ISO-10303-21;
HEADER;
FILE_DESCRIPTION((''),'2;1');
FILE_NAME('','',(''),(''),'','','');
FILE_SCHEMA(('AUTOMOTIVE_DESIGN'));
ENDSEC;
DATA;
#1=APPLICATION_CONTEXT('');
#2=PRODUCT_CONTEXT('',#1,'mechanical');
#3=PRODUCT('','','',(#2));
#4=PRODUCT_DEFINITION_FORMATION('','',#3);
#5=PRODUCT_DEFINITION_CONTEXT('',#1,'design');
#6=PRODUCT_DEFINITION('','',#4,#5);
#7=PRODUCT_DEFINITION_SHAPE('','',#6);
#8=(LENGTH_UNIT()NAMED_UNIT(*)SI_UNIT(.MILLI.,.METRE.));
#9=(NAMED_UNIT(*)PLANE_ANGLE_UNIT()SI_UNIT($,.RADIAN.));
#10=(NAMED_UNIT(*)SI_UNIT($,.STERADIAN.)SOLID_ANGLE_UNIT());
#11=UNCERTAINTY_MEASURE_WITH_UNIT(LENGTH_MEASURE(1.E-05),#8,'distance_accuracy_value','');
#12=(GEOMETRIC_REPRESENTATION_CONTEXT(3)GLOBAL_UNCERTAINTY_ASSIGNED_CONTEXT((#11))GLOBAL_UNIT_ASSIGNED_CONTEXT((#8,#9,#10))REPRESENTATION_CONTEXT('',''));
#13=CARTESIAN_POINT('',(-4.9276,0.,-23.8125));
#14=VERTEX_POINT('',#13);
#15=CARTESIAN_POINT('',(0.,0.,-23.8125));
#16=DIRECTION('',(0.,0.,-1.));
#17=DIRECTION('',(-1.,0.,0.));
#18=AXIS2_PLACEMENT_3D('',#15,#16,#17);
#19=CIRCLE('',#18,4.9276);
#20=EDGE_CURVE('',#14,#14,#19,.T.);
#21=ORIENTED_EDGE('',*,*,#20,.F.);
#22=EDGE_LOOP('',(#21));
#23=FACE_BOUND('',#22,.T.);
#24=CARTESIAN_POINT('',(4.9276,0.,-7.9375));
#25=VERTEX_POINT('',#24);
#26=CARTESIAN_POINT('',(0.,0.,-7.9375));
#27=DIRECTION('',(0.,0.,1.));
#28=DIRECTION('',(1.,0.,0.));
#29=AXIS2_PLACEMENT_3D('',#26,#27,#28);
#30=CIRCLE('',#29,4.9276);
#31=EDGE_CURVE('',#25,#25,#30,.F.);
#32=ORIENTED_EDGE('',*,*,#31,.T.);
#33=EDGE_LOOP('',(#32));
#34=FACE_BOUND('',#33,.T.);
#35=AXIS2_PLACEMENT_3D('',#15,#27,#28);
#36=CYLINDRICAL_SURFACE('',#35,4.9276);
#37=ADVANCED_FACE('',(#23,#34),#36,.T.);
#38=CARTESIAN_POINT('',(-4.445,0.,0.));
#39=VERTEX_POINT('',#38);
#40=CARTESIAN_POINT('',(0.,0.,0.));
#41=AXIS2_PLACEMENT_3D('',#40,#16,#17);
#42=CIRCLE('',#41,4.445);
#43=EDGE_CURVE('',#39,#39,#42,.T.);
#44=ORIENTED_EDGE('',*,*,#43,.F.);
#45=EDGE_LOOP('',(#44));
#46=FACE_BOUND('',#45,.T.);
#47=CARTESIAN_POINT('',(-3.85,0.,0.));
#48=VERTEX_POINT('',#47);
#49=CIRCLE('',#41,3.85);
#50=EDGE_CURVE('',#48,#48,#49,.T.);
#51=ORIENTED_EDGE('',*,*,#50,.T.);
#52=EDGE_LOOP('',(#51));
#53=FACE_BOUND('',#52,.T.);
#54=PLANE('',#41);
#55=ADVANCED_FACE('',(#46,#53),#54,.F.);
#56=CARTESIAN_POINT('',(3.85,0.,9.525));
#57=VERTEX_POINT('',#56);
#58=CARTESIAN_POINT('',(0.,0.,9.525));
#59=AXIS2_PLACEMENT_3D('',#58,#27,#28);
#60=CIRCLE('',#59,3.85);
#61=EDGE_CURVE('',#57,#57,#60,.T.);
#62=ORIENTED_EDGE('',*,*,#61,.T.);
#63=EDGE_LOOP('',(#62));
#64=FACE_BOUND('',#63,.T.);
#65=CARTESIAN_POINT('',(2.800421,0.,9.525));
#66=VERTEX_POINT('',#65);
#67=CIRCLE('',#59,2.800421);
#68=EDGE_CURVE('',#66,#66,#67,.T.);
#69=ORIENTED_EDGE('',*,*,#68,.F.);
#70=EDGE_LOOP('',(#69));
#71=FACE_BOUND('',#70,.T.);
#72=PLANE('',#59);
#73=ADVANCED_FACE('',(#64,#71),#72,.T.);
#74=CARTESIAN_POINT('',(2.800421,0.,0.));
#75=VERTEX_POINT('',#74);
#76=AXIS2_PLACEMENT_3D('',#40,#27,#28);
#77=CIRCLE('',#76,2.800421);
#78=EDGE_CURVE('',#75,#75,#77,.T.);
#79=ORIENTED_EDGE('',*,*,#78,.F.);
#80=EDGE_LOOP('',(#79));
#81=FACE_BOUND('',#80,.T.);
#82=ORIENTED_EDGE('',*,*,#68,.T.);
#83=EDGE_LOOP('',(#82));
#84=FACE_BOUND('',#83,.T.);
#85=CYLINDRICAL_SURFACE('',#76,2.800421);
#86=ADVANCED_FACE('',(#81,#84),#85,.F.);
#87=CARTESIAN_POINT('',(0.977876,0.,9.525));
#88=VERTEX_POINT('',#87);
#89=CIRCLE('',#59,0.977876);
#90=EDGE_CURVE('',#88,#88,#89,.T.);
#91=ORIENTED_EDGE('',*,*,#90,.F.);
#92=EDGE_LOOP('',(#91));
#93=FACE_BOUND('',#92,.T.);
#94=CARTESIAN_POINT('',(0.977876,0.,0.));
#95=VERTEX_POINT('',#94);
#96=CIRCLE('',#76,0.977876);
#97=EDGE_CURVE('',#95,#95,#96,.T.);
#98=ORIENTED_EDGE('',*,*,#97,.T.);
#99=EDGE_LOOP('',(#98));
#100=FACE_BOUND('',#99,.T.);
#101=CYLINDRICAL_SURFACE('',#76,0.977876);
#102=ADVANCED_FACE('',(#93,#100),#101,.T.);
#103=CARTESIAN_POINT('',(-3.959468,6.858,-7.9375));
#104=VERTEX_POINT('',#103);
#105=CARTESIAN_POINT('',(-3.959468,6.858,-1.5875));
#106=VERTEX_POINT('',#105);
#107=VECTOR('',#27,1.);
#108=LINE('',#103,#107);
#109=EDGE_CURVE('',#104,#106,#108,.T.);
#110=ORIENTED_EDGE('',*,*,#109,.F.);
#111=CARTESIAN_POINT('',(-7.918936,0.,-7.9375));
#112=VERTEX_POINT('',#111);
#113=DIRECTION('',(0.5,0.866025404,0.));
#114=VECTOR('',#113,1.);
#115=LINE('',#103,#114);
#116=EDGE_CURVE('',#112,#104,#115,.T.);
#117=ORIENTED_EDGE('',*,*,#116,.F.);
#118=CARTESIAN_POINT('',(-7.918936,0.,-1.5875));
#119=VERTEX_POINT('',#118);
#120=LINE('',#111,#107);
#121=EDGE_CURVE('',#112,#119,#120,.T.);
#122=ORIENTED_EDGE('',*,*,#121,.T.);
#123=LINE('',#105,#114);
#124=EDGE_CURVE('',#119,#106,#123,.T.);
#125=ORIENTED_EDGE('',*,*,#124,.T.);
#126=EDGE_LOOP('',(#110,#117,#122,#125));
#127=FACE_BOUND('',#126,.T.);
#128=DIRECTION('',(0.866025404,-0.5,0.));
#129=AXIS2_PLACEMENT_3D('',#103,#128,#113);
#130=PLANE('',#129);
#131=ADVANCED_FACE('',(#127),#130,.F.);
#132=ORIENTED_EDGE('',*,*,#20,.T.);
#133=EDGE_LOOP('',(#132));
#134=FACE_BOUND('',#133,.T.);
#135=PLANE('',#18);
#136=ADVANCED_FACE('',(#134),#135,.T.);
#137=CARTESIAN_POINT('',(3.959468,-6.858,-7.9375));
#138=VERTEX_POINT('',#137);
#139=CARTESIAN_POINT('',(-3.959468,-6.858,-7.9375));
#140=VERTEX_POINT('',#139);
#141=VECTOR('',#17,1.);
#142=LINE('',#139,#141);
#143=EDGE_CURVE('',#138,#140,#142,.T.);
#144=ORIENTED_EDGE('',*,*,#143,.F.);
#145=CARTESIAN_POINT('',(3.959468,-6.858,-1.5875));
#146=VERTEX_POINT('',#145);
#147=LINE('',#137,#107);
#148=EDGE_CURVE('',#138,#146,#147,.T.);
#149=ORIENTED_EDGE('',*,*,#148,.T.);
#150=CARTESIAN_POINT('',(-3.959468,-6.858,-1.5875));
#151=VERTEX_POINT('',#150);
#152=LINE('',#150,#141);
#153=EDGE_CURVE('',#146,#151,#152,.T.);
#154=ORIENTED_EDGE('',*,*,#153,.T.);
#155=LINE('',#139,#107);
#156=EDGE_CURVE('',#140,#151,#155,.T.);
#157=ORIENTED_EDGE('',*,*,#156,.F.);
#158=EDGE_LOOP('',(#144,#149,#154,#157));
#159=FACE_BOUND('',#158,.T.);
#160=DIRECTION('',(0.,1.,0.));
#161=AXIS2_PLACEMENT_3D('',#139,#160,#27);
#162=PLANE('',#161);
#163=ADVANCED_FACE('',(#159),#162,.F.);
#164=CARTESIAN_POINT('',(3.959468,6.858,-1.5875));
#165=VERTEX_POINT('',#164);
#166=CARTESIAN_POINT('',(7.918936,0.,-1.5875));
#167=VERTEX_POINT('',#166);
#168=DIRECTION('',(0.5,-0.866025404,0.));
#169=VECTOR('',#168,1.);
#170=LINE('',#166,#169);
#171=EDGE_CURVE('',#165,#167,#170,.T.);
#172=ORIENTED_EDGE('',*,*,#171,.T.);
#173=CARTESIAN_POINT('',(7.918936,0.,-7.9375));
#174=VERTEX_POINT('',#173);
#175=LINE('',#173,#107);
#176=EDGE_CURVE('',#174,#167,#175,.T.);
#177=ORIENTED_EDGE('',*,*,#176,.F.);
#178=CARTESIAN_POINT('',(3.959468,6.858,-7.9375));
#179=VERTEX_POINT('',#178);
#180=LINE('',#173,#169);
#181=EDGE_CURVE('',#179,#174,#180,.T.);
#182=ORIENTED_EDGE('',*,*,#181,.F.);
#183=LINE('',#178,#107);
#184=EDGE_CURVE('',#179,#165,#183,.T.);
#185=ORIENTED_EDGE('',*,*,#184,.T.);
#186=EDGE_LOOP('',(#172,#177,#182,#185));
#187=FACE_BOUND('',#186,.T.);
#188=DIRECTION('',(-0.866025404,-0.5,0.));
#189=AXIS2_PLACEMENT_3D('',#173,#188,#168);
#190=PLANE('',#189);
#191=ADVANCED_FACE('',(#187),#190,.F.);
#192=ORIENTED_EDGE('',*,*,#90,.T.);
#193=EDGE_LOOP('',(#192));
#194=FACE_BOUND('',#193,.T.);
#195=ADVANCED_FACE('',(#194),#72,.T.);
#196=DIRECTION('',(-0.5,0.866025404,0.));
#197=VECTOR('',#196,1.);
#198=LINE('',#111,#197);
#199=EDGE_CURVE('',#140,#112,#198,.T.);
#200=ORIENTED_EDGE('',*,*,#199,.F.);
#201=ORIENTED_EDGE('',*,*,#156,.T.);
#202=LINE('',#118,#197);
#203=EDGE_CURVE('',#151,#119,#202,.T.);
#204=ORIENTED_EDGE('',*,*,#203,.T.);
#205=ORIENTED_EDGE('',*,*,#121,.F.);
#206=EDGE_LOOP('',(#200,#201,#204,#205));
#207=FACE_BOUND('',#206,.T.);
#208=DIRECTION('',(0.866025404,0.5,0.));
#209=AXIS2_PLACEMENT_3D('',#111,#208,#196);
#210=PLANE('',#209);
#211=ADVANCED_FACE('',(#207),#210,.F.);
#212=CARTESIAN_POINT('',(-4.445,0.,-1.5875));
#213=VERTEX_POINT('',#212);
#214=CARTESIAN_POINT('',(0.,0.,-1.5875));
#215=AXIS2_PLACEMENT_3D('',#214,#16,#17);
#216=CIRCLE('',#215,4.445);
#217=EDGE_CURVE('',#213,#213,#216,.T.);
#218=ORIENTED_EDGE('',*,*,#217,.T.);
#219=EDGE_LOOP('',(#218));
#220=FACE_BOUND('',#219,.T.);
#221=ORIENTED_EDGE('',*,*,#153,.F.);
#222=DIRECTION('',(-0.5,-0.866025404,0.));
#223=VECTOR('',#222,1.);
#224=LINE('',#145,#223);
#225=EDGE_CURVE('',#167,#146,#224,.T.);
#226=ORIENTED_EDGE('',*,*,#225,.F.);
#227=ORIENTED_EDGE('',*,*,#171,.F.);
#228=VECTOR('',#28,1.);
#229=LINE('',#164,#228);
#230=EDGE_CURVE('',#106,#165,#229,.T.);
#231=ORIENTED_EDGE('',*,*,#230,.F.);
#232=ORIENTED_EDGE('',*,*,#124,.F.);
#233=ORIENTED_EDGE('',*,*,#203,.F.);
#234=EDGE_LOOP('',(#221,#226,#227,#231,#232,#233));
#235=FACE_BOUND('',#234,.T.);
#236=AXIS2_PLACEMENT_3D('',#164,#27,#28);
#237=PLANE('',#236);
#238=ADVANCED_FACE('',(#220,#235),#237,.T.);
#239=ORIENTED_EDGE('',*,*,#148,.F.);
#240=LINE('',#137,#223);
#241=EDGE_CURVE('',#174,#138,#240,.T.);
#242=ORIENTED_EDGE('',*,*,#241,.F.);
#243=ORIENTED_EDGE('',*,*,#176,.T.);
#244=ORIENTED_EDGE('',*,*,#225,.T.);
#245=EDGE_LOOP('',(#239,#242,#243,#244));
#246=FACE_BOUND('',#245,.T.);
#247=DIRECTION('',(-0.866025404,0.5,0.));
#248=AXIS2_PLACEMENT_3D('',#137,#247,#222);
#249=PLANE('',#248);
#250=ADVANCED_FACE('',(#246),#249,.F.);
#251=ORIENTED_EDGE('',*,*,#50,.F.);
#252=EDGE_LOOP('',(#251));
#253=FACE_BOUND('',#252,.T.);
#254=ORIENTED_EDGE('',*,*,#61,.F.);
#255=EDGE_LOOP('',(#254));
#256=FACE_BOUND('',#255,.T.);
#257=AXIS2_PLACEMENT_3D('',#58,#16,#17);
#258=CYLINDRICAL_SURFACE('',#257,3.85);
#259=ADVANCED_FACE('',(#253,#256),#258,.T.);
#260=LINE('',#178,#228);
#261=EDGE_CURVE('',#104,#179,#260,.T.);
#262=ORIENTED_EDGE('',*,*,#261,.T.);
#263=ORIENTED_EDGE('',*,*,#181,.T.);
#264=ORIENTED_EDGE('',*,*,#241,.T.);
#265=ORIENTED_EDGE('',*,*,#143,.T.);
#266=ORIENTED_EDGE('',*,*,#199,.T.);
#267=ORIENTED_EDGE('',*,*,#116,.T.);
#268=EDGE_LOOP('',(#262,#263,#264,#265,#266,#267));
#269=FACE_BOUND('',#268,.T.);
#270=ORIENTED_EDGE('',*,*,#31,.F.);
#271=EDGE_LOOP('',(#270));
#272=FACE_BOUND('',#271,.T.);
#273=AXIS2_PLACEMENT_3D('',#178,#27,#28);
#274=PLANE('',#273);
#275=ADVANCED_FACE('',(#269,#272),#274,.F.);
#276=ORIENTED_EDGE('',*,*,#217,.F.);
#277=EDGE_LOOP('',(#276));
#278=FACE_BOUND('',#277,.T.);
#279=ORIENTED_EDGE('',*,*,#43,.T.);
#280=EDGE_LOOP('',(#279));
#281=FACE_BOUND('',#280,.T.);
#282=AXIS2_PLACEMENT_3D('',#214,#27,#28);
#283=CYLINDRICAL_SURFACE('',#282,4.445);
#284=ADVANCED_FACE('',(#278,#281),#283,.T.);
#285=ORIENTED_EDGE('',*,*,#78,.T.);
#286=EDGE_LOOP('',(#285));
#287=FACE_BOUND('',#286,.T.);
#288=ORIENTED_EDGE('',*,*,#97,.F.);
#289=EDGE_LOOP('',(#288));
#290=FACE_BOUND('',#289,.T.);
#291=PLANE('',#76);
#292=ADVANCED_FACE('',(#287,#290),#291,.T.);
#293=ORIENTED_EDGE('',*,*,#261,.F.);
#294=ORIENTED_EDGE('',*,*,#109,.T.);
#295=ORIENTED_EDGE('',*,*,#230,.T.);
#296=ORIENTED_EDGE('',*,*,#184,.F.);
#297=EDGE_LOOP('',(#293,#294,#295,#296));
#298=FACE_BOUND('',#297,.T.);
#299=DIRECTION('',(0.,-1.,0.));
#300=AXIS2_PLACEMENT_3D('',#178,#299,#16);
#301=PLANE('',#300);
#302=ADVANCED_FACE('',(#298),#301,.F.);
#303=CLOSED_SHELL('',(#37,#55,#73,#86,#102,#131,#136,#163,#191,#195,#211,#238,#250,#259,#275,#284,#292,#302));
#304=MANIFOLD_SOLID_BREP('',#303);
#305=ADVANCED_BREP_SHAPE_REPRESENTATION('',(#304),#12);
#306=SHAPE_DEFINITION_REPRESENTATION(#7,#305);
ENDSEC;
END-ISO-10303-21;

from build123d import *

# Parameters (mm, degrees)
SKETCH1_R          = 3.85
EXTRUDE1_DEPTH     = 9.525
SKETCH2_R          = 4.445
EXTRUDE2_DEPTH     = 1.5875
EXTRUDE3_DEPTH     = 6.35
SKETCH4_R          = 4.9276
EXTRUDE4_DEPTH     = 15.875
SKETCH5_R          = 2.80042078
SKETCH5_R_2        = 0.97787642
CUT_EXTRUDE1_DEPTH = 9.525


with BuildPart() as part:
    # Sketch1 → Extrude1 (new body)
    with BuildSketch(Plane.XY):
        Circle(SKETCH1_R)
    extrude(amount=EXTRUDE1_DEPTH)

    # Sketch2 → Extrude2 (add)
    with BuildSketch(Plane(origin=(0, 0, 0), x_dir=(-1, 0, 0), z_dir=(0, 0, -1))):
        Circle(SKETCH2_R)
    extrude(amount=EXTRUDE2_DEPTH)

    # Sketch3 → Extrude3 (add)
    with BuildSketch(Plane(origin=(0, 0, -1.5875), x_dir=(-1, 0, 0), z_dir=(0, 0, -1))):
        Polygon((-3.959468146, 6.858), (3.959468146, 6.858), (7.918936292, 0), (3.959468146, -6.858), (-3.959468146, -6.858), (-7.918936292, 0), align=None)
    extrude(amount=EXTRUDE3_DEPTH)

    # Sketch4 → Extrude4 (add)
    with BuildSketch(Plane(origin=(0, 0, -7.9375), x_dir=(-1, 0, 0), z_dir=(0, 0, -1))):
        Circle(SKETCH4_R)
    extrude(amount=EXTRUDE4_DEPTH)

    # Sketch5 → Cut-Extrude1 (cut)
    with BuildSketch(Plane.XY.offset(9.525)):
        Circle(SKETCH5_R)
        Circle(SKETCH5_R_2, mode=Mode.SUBTRACT)
    extrude(amount=-CUT_EXTRUDE1_DEPTH, mode=Mode.SUBTRACT)


solid = part.part
